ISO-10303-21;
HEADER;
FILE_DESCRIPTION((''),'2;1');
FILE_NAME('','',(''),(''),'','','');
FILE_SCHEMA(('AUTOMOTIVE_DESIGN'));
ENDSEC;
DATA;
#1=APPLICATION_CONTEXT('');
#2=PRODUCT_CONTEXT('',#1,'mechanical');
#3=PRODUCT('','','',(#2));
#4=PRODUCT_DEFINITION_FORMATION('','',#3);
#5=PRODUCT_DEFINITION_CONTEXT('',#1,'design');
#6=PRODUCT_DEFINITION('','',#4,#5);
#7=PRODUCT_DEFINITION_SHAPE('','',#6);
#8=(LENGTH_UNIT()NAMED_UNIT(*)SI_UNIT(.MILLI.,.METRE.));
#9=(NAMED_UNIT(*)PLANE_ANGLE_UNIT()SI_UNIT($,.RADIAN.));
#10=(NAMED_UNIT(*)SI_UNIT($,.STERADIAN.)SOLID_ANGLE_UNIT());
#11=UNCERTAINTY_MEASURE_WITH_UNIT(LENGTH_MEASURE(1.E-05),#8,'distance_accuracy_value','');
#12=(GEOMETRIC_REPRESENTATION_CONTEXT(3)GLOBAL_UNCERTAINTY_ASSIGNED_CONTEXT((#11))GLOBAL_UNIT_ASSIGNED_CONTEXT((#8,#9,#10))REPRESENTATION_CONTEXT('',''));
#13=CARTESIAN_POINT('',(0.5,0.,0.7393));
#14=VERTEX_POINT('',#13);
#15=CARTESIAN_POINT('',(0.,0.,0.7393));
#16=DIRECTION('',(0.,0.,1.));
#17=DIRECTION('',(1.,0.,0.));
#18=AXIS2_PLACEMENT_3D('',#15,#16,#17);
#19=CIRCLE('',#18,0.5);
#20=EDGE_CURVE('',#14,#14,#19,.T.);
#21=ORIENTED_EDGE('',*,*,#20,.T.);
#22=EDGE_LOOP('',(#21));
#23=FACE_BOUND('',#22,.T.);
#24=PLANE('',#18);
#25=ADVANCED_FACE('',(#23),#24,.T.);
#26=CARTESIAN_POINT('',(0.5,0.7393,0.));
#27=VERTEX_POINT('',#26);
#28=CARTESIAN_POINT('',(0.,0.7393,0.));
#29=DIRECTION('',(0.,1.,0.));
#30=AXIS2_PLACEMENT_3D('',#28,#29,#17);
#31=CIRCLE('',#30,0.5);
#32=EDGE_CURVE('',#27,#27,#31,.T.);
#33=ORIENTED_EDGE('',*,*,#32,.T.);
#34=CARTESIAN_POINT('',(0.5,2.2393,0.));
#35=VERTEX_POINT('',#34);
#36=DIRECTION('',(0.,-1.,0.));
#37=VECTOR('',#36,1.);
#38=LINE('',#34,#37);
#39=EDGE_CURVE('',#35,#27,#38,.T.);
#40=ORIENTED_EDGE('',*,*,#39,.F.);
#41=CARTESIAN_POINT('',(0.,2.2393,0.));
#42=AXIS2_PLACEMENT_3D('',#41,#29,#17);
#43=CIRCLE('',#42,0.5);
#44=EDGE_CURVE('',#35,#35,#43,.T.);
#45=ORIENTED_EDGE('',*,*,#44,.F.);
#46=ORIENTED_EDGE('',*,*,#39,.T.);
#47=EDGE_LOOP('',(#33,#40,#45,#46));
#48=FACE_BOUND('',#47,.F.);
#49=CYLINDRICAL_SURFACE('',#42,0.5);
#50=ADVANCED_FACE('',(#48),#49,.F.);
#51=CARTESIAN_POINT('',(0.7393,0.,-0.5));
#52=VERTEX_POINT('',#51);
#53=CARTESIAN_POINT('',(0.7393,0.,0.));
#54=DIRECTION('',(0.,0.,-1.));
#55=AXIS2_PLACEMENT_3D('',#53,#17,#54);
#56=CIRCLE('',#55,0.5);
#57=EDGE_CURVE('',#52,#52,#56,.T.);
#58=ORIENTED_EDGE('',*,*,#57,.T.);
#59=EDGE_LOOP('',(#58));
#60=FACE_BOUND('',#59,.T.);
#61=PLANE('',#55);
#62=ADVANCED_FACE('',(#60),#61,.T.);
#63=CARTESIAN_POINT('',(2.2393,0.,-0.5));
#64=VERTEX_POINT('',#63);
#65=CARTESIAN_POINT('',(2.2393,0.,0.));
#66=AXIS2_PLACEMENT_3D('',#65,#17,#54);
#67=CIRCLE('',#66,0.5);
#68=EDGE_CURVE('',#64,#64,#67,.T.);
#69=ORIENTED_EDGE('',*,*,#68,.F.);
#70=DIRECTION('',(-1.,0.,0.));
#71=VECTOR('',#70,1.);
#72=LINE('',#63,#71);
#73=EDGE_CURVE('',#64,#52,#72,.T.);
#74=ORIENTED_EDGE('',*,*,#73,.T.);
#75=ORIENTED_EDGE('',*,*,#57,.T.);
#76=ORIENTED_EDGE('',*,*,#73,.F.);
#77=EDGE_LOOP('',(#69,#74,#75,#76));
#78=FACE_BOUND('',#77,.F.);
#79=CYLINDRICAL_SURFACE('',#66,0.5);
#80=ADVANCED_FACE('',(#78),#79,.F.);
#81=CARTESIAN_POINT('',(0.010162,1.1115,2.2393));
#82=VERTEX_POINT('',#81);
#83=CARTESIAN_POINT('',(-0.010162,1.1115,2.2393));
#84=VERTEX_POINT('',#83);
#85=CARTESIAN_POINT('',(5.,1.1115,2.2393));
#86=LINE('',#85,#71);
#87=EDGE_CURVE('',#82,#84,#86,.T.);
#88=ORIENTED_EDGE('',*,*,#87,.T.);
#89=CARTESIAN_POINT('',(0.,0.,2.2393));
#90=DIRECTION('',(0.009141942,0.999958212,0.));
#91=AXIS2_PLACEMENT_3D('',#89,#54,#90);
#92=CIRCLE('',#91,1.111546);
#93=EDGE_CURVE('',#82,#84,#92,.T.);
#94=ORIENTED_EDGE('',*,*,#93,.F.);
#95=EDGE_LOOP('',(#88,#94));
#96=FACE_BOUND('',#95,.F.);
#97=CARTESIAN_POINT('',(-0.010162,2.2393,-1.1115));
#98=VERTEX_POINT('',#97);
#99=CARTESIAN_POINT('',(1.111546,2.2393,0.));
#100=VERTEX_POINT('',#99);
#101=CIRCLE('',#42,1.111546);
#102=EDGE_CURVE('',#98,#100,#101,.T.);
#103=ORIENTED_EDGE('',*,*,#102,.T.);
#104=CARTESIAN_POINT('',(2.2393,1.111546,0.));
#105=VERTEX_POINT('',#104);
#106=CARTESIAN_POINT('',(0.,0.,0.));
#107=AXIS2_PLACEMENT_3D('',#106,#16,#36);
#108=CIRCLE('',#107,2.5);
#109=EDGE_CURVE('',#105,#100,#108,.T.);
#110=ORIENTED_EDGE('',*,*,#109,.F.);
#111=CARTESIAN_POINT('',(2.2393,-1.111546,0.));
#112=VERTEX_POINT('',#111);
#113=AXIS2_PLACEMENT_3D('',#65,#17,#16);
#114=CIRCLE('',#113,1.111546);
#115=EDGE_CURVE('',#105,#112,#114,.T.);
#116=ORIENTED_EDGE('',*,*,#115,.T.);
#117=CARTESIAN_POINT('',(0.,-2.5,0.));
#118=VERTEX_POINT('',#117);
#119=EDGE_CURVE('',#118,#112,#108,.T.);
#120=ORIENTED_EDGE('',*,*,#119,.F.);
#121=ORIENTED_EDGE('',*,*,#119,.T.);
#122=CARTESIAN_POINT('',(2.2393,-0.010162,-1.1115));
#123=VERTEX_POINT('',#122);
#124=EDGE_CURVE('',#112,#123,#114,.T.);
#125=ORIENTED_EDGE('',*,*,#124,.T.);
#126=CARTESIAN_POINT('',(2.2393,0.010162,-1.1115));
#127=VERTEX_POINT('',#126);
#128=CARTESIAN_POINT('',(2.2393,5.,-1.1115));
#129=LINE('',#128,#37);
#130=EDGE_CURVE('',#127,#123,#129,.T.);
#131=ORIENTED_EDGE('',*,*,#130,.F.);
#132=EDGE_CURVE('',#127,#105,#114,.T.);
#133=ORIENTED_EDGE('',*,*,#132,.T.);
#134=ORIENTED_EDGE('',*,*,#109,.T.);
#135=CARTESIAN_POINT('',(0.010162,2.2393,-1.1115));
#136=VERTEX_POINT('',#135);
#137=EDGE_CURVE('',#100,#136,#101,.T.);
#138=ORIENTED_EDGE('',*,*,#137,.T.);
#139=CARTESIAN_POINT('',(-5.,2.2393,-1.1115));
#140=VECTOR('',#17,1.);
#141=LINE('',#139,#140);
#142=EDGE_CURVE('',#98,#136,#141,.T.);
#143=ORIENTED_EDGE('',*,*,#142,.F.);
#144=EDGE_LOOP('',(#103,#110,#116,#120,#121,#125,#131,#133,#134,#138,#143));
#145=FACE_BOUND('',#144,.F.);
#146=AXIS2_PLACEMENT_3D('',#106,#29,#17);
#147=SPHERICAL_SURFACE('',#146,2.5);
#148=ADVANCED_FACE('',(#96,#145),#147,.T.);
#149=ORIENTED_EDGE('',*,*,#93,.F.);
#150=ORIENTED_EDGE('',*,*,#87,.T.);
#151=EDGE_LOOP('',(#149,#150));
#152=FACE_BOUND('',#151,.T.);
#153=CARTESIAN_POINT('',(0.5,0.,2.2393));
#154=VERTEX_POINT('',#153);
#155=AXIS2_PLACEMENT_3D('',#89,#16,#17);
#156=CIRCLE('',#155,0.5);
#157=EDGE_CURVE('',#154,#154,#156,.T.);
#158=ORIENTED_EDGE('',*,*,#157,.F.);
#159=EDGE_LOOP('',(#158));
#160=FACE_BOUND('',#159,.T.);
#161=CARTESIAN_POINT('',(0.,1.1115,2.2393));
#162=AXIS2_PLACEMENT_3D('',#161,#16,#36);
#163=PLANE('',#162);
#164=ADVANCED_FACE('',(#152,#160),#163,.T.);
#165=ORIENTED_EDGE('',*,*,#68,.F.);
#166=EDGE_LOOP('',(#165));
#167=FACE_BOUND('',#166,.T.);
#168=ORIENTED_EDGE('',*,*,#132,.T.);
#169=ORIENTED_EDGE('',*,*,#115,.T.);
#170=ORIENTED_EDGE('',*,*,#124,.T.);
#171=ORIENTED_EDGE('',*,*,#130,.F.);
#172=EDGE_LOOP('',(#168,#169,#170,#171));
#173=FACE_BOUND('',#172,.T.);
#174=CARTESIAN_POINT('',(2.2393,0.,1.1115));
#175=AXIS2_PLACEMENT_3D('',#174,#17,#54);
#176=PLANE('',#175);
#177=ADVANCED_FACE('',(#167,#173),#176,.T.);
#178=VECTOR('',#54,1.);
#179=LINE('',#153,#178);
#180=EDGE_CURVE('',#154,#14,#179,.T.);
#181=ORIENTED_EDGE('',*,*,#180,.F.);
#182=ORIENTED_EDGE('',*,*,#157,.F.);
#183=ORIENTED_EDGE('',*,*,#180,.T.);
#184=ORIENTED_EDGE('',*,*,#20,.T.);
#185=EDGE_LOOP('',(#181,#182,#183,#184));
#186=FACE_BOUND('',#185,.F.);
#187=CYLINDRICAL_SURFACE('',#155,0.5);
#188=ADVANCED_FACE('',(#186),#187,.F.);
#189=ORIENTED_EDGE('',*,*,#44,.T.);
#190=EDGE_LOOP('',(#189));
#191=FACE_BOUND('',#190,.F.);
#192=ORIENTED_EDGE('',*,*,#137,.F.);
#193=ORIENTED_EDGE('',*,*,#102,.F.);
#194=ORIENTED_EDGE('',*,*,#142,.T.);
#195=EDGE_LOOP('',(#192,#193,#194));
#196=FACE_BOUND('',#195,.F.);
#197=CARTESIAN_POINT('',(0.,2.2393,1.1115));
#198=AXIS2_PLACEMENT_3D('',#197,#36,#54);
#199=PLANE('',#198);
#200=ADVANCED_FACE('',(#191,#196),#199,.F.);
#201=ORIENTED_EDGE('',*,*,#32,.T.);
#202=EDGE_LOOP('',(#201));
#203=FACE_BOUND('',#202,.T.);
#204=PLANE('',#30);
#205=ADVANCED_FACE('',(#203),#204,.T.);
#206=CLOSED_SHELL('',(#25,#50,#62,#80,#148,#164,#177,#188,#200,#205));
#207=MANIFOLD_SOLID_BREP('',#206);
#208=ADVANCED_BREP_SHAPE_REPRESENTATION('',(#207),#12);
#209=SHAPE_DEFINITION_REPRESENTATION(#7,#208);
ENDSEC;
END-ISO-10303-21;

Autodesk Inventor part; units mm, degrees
ref_plane "YZ Plane" through (0, 0, 0) normal (1, 0, 0) x (0, 1, 0)
sketch "Skizze1" plane through (0, 0, 0) normal (0, 0, 1) x (1, 0, 0)
  circle A0 centre (0, 0) radius 2.5
  line L0 (0, 2.5) -> (0, -2.5)
  dimension "d0" = 5
revolve "Umdrehung1" add sketch "Skizze1" angle 360 about axis through (0, 2.5, 0) along (0, -1, 0) picked at (0.5196, 0.6515) contours A0 L0
ref_plane "Arbeitsebene1" through (0, 0, 0) normal (-1, 0, 0) x (0, -1, 0)
sketch "Skizze2" plane through (0, 0, 0) normal (-1, 0, 0) x (0, -1, 0)
  circle A0 centre (0, 0) radius 2.5 projected
  line L0 (1.8885, 2.6999) -> (-1.1115, 2.6999)
  line L1 (-1.1115, 2.6999) -> (-1.1115, 2.2393)
  line L2 (-1.1115, 2.2393) -> (1.8885, 2.2393)
  line L3 (1.8885, 2.2393) -> (1.8885, 2.6999)
  line L4 (1.8885, 2.6999) -> (-1.1115, 2.2393) construction
  line L5 (-1.1115, 2.6999) -> (1.8885, 2.2393) construction
  point P0 (0.3885, 2.4696)
  dimension "d2" = 3
extrude "Extrusion1" cut sketch "Skizze2" along normal mid plane 10 contours L1 L0 L3 L2 A0 | A0 L2 picked at (0.1903, 2.3042)
ref_plane "Arbeitsebene2" through (0, 0, 2.2393) normal (0, -1, 0) x (-1, 0, 0)
sketch "Skizze3" plane through (0, 0, 2.2393) normal (0, -1, 0) x (-1, 0, 0)
  arc A0 (1.1115, 0) -> (-1.1115, 0) centre (0, 2.2393) ccw projected
  line L0 (-2.6999, 0.3508) -> (-2.2393, 0.3508)
  line L1 (-2.2393, 0.3508) -> (-2.2393, 3.3508)
  line L2 (-2.2393, 3.3508) -> (-2.6999, 3.3508)
  line L3 (-2.6999, 3.3508) -> (-2.6999, 0.3508)
  line L4 (-2.6999, 0.3508) -> (-2.2393, 3.3508) construction
  line L5 (-2.2393, 0.3508) -> (-2.6999, 3.3508) construction
  point P0 (-2.4696, 1.8508)
  dimension "d5" = 3
extrude "Extrusion2" cut sketch "Skizze3" along normal mid plane 10
sketch "Skizze4" plane through (0, 0, 0) normal (-1, 0, 0) x (0, -1, 0)
  arc A0 (-1.1115, 2.2393) -> (1.1115, 2.2393) centre (0, 0) ccw projected
  line L0 (-2.6999, 1.8885) -> (-2.2393, 1.8885)
  line L1 (-2.2393, 1.8885) -> (-2.2393, -1.1115)
  line L2 (-2.2393, -1.1115) -> (-2.6999, -1.1115)
  line L3 (-2.6999, -1.1115) -> (-2.6999, 1.8885)
  line L4 (-2.6999, 1.8885) -> (-2.2393, -1.1115) construction
  line L5 (-2.2393, 1.8885) -> (-2.6999, -1.1115) construction
  point P0 (-2.4696, 0.3885)
  dimension "d8" = 3
extrude "Extrusion3" cut sketch "Skizze4" along normal mid plane 10
sketch "Skizze5" plane through (2.2393, 0, 0) normal (1, 0, 0) x (0, 0, -1)
  circle A0 centre (0, 0) radius 1.1115
  circle A1 centre (0, 0) radius 0.5
  dimension "d26" = 1
sketch "Skizze6" plane through (0, 0, 2.2393) normal (0, 0, 1) x (1, 0, 0)
  circle A0 centre (0, 0) radius 1.1115
  circle A1 centre (0, 0) radius 0.5
  dimension "d27" = 1
sketch "Skizze7" plane through (0, 2.2393, 0) normal (0, 1, 0) x (1, 0, 0)
  circle A0 centre (0, 0) radius 1.1115
  circle A1 centre (0, 0) radius 0.5
  dimension "d28" = 1
extrude "Extrusion7" cut sketch "Skizze6" against normal blind 1.5 contours A1
extrude "Extrusion8" cut sketch "Skizze5" against normal blind 1.5 contours A1
extrude "Extrusion9" cut sketch "Skizze7" against normal blind 1.5 contours A1
properties part number "xyz_Axis_with_ball_Ball"
